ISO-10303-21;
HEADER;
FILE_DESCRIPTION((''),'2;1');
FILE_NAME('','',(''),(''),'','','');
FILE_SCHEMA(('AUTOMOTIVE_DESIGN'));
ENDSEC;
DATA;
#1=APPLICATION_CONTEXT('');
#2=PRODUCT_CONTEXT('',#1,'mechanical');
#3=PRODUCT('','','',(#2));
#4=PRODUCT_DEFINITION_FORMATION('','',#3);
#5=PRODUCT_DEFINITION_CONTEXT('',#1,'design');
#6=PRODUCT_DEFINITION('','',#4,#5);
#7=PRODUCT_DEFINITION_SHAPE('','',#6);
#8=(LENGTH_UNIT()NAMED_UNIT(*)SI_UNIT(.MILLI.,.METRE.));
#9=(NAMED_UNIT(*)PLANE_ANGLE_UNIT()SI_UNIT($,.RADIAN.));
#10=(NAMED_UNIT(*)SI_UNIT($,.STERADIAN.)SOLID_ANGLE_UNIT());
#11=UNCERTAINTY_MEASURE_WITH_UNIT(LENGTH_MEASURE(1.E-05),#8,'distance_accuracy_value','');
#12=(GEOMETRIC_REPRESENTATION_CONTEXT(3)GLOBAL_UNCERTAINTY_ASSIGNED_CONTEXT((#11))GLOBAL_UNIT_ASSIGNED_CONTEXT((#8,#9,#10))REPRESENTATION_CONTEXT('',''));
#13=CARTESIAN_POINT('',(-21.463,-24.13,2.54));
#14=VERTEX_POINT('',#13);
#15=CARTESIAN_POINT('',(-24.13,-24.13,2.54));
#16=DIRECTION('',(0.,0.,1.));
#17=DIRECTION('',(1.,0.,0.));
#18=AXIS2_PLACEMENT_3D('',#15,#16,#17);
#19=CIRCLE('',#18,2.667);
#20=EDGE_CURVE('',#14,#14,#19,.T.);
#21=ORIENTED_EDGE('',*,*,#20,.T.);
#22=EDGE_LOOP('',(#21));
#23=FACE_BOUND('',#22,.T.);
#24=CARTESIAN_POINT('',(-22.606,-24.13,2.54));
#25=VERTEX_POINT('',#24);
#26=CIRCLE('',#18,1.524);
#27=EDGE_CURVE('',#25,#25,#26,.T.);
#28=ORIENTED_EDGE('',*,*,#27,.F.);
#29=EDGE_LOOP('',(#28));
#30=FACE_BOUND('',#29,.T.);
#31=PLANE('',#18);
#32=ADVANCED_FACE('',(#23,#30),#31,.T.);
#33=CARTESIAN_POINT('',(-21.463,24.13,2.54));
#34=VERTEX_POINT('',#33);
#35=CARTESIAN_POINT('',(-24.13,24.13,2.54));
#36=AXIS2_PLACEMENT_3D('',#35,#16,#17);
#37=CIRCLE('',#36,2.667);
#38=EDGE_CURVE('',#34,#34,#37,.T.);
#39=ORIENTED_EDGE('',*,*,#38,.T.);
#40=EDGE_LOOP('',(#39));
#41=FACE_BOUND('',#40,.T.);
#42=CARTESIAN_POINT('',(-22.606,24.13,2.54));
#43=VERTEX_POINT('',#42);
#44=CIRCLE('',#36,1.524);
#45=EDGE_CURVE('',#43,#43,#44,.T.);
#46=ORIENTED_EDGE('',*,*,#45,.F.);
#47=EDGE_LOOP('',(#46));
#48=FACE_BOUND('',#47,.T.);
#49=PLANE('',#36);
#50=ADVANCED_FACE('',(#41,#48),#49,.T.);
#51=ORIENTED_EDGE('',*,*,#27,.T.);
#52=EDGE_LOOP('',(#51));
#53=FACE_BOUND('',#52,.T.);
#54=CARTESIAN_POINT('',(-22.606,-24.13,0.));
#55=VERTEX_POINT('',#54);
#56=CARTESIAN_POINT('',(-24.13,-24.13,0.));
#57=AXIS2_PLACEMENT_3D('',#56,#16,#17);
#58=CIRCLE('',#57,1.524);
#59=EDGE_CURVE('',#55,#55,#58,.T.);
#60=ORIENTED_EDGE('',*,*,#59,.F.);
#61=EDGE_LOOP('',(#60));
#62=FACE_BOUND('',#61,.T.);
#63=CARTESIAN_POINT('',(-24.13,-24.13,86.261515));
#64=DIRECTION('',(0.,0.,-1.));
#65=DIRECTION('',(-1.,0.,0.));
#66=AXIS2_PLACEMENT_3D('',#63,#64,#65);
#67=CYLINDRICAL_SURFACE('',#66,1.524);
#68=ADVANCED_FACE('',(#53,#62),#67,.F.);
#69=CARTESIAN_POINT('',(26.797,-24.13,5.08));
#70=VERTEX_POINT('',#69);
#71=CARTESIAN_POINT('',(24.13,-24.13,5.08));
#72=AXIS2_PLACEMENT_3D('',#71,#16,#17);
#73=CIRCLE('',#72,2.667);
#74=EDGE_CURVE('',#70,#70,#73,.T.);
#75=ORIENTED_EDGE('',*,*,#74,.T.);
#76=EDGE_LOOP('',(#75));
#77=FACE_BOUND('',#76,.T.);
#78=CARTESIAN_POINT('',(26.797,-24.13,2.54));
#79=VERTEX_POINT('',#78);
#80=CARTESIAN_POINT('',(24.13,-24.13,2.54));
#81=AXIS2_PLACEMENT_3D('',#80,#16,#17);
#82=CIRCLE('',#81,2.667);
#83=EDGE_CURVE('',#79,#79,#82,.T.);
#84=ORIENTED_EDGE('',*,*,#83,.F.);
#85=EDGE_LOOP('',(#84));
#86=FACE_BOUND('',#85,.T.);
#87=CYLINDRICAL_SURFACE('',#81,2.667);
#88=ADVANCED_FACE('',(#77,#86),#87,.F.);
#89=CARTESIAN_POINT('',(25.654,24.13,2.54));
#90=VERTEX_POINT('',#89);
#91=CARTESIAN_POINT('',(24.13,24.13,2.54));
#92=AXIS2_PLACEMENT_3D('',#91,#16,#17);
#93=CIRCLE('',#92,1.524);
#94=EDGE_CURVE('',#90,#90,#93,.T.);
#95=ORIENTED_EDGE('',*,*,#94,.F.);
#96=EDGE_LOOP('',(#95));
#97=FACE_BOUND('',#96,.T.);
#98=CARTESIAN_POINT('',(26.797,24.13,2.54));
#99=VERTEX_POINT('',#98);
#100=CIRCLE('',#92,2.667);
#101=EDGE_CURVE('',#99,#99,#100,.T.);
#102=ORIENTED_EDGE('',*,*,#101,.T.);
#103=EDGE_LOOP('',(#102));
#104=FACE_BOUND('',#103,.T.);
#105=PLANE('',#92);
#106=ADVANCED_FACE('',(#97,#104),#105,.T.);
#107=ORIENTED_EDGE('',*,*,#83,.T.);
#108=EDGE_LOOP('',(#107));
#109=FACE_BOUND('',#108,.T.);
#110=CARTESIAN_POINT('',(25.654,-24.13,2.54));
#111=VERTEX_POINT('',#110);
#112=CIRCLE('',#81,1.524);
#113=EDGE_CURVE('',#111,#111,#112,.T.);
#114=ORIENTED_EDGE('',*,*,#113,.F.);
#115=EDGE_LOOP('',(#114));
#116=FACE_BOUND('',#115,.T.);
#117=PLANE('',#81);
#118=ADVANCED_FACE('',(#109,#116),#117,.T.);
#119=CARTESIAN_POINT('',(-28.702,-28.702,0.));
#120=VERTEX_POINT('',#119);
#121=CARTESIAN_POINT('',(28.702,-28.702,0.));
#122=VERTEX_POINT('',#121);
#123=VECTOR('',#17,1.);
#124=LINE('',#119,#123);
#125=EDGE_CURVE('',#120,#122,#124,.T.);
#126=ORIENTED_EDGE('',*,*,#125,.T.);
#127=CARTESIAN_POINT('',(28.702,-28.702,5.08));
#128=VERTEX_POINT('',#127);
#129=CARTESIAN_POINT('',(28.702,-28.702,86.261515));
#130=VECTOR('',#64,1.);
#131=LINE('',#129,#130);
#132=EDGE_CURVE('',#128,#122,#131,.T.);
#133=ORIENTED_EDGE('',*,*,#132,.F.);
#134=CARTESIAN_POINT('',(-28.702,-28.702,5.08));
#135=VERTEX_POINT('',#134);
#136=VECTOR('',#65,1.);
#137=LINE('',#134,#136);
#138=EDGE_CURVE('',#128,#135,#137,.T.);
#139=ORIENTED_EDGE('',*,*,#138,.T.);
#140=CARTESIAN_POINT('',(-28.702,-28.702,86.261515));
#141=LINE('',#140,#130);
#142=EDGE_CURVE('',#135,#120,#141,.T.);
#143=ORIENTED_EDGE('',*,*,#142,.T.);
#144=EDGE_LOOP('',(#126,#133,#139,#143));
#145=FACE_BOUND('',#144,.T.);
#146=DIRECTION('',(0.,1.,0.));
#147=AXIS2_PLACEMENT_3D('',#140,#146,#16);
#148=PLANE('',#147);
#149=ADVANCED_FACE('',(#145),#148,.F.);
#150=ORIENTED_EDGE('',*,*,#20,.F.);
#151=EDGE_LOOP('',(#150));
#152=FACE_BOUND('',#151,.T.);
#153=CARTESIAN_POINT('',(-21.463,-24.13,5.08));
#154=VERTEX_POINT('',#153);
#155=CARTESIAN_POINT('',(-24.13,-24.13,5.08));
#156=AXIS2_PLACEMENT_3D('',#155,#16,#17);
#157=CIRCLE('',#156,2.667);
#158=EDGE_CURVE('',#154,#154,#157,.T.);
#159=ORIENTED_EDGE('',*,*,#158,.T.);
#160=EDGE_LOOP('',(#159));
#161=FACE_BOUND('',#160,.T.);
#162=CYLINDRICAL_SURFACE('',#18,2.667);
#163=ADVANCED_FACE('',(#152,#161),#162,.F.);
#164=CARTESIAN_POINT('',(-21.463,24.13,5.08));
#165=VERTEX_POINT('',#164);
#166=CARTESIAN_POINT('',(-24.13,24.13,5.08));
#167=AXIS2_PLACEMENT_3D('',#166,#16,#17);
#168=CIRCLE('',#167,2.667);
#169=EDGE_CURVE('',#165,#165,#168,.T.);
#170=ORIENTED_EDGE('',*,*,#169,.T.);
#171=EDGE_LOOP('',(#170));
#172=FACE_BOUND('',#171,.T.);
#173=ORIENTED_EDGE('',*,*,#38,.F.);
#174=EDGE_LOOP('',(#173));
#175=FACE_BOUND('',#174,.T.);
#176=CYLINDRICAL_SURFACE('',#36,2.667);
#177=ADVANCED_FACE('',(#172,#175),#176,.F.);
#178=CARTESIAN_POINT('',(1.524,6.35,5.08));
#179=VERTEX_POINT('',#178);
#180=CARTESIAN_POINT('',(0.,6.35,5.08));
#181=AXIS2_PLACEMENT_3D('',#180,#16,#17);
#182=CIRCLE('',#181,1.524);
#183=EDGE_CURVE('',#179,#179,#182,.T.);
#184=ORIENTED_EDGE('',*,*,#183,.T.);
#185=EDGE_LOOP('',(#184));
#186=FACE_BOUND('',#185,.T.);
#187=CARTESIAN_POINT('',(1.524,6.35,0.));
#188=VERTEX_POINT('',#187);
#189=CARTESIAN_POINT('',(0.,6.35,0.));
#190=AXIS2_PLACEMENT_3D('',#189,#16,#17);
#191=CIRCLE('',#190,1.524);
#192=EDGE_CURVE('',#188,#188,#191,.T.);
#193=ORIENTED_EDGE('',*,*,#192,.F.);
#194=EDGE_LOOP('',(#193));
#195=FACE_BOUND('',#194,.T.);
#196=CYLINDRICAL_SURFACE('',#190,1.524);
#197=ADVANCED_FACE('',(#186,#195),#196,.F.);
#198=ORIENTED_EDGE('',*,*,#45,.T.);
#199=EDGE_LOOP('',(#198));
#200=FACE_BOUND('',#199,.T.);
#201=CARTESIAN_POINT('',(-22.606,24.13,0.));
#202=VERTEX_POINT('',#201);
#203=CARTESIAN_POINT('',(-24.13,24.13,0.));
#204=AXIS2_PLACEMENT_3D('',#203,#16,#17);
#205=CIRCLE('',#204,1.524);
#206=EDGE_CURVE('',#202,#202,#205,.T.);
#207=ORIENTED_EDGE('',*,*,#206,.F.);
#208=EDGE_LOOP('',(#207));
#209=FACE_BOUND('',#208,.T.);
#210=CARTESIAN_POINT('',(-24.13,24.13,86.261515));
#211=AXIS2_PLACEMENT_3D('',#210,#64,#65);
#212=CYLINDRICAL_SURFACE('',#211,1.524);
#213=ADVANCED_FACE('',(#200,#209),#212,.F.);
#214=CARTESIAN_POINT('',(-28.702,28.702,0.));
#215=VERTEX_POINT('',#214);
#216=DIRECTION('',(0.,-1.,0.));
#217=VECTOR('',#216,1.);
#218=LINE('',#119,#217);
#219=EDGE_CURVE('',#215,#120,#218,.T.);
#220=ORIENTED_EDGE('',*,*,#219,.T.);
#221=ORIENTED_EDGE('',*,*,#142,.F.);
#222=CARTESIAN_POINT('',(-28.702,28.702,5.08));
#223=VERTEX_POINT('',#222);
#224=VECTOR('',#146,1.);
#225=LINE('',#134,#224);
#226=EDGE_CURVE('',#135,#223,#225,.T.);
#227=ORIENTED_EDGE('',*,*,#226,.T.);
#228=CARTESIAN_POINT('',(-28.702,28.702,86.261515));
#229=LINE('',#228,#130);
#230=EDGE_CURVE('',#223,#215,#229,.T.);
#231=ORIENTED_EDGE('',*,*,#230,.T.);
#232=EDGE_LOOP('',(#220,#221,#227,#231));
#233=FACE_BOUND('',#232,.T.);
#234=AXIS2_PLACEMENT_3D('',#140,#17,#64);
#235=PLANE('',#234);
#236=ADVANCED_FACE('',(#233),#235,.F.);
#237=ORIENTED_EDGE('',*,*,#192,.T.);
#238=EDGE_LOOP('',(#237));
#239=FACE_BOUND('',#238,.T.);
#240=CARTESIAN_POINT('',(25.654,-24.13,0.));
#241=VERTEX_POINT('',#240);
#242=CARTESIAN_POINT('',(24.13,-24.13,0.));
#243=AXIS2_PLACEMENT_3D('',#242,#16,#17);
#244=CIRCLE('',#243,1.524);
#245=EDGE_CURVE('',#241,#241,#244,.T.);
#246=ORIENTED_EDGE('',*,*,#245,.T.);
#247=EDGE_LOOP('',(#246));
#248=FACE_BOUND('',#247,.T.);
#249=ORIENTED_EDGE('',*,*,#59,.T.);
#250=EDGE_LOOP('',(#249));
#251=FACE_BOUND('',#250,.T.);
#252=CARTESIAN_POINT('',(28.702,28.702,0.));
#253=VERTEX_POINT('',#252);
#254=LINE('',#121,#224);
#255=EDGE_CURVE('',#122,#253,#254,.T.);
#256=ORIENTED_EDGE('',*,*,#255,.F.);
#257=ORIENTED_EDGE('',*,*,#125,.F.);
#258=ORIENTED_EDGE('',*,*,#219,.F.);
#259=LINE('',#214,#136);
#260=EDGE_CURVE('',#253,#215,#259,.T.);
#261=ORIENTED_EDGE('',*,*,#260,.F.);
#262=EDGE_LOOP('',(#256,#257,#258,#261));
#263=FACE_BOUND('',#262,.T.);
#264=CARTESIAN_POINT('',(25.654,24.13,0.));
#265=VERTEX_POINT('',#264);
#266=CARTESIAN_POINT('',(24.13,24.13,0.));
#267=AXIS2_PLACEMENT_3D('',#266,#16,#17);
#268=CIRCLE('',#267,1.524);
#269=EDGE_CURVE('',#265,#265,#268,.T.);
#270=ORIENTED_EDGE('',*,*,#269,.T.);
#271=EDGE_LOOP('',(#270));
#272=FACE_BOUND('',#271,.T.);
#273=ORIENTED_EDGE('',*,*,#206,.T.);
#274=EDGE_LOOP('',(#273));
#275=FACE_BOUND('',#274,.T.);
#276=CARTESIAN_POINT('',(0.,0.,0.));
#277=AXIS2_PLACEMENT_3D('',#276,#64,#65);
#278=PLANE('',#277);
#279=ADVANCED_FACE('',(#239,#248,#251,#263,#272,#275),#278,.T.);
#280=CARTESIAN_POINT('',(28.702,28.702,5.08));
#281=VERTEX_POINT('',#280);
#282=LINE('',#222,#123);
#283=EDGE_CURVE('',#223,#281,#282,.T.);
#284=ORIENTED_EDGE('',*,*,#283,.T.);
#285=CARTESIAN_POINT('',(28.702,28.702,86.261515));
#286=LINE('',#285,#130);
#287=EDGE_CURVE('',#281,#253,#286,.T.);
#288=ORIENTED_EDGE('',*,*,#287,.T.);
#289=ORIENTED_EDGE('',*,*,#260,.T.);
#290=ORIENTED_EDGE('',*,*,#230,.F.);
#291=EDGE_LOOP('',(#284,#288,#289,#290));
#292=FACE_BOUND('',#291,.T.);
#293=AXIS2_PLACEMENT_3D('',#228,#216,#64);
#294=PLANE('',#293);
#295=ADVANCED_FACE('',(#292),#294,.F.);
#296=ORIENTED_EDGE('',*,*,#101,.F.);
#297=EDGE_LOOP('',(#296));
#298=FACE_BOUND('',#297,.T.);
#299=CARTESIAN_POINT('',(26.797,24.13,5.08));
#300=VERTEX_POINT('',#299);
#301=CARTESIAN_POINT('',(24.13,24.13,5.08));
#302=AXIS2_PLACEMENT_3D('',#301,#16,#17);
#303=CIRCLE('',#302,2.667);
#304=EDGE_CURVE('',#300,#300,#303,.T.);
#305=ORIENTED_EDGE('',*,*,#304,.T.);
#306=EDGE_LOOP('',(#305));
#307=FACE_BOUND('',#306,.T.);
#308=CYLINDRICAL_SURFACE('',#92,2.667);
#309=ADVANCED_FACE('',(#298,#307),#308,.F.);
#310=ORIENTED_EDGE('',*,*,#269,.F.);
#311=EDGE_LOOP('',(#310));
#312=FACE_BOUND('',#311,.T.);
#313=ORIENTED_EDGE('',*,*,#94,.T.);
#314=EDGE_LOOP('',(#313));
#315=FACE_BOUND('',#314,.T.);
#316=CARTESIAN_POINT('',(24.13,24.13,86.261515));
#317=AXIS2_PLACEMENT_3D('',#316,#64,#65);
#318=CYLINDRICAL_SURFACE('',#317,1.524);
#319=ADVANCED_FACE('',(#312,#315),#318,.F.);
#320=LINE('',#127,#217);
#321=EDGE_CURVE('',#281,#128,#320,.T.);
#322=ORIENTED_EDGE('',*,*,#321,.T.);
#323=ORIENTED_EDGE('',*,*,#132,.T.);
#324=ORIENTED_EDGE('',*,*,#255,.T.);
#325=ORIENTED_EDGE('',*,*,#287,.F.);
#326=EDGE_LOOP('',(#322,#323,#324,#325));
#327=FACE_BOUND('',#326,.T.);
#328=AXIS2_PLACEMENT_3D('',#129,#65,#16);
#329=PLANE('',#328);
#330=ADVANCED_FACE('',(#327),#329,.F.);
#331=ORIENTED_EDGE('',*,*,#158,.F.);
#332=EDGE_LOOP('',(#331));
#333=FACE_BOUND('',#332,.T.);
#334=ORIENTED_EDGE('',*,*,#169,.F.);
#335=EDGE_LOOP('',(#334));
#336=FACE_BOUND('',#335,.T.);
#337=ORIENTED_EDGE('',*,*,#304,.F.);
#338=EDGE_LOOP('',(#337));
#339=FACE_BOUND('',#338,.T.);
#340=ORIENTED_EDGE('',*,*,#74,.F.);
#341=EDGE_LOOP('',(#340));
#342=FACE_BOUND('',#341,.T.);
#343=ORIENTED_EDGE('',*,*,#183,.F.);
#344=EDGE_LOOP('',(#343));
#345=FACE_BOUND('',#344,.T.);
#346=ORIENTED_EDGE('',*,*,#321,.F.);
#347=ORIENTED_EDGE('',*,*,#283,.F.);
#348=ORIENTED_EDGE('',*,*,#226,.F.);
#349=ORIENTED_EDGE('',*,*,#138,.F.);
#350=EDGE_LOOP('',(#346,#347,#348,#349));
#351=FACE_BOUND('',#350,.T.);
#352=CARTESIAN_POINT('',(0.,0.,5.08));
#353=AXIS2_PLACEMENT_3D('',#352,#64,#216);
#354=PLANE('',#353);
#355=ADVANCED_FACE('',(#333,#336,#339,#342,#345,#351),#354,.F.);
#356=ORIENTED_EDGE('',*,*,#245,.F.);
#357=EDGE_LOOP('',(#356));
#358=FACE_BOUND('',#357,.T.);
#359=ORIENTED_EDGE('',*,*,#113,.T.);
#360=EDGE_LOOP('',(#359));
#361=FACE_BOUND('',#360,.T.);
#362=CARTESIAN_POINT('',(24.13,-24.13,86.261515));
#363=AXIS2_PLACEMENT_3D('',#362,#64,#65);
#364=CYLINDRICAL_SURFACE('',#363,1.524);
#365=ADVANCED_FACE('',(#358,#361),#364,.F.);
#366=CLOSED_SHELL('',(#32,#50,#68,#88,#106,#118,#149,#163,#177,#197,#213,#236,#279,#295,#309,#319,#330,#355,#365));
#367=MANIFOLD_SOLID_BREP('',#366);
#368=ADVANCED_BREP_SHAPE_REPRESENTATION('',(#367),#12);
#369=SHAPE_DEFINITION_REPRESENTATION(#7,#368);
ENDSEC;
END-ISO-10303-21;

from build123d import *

# Parameters (mm, degrees)
SKETCH1_W           = 57.404
SKETCH1_H           = 57.404
SKETCH1_R           = 1.524
BOSS_EXTRUDE1_DEPTH = 5.08
SKETCH2_R           = 2.667
CUT_EXTRUDE1_DEPTH  = 2.54
SKETCH3_R           = 1.524
CUT_EXTRUDE2_DEPTH  = 41.90740774


with BuildPart() as part:
    # Sketch1 → Boss-Extrude1 (new body)
    with BuildSketch(Plane.XY):
        Rectangle(SKETCH1_W, SKETCH1_H)
        with Locations(Location((-24.13, 24.13, 0), (0, 0, 180))):
            Circle(SKETCH1_R, mode=Mode.SUBTRACT)
        with Locations(Location((-24.13, -24.13, 0), (0, 0, 180))):
            Circle(SKETCH1_R, mode=Mode.SUBTRACT)
        with Locations(Location((24.13, -24.13, 0), (0, 0, 180))):
            Circle(SKETCH1_R, mode=Mode.SUBTRACT)
        with Locations(Location((24.13, 24.13, 0), (0, 0, 180))):
            Circle(SKETCH1_R, mode=Mode.SUBTRACT)
    extrude(amount=BOSS_EXTRUDE1_DEPTH)

    # Sketch2 → Cut-Extrude1 (cut)
    with BuildSketch(Plane.XY.offset(5.08)):
        with Locations((-24.13, -24.13)):
            Circle(SKETCH2_R)
        with Locations((-24.13, 24.13)):
            Circle(SKETCH2_R)
        with Locations((24.13, 24.13)):
            Circle(SKETCH2_R)
        with Locations((24.13, -24.13)):
            Circle(SKETCH2_R)
    extrude(amount=-CUT_EXTRUDE1_DEPTH, mode=Mode.SUBTRACT)

    # Sketch3 → Cut-Extrude2 (cut, through all)
    with BuildSketch(Plane.XY.offset(5.08)):
        with Locations((0, 6.35)):
            Circle(SKETCH3_R)
    extrude(amount=-CUT_EXTRUDE2_DEPTH, mode=Mode.SUBTRACT)


solid = part.part
